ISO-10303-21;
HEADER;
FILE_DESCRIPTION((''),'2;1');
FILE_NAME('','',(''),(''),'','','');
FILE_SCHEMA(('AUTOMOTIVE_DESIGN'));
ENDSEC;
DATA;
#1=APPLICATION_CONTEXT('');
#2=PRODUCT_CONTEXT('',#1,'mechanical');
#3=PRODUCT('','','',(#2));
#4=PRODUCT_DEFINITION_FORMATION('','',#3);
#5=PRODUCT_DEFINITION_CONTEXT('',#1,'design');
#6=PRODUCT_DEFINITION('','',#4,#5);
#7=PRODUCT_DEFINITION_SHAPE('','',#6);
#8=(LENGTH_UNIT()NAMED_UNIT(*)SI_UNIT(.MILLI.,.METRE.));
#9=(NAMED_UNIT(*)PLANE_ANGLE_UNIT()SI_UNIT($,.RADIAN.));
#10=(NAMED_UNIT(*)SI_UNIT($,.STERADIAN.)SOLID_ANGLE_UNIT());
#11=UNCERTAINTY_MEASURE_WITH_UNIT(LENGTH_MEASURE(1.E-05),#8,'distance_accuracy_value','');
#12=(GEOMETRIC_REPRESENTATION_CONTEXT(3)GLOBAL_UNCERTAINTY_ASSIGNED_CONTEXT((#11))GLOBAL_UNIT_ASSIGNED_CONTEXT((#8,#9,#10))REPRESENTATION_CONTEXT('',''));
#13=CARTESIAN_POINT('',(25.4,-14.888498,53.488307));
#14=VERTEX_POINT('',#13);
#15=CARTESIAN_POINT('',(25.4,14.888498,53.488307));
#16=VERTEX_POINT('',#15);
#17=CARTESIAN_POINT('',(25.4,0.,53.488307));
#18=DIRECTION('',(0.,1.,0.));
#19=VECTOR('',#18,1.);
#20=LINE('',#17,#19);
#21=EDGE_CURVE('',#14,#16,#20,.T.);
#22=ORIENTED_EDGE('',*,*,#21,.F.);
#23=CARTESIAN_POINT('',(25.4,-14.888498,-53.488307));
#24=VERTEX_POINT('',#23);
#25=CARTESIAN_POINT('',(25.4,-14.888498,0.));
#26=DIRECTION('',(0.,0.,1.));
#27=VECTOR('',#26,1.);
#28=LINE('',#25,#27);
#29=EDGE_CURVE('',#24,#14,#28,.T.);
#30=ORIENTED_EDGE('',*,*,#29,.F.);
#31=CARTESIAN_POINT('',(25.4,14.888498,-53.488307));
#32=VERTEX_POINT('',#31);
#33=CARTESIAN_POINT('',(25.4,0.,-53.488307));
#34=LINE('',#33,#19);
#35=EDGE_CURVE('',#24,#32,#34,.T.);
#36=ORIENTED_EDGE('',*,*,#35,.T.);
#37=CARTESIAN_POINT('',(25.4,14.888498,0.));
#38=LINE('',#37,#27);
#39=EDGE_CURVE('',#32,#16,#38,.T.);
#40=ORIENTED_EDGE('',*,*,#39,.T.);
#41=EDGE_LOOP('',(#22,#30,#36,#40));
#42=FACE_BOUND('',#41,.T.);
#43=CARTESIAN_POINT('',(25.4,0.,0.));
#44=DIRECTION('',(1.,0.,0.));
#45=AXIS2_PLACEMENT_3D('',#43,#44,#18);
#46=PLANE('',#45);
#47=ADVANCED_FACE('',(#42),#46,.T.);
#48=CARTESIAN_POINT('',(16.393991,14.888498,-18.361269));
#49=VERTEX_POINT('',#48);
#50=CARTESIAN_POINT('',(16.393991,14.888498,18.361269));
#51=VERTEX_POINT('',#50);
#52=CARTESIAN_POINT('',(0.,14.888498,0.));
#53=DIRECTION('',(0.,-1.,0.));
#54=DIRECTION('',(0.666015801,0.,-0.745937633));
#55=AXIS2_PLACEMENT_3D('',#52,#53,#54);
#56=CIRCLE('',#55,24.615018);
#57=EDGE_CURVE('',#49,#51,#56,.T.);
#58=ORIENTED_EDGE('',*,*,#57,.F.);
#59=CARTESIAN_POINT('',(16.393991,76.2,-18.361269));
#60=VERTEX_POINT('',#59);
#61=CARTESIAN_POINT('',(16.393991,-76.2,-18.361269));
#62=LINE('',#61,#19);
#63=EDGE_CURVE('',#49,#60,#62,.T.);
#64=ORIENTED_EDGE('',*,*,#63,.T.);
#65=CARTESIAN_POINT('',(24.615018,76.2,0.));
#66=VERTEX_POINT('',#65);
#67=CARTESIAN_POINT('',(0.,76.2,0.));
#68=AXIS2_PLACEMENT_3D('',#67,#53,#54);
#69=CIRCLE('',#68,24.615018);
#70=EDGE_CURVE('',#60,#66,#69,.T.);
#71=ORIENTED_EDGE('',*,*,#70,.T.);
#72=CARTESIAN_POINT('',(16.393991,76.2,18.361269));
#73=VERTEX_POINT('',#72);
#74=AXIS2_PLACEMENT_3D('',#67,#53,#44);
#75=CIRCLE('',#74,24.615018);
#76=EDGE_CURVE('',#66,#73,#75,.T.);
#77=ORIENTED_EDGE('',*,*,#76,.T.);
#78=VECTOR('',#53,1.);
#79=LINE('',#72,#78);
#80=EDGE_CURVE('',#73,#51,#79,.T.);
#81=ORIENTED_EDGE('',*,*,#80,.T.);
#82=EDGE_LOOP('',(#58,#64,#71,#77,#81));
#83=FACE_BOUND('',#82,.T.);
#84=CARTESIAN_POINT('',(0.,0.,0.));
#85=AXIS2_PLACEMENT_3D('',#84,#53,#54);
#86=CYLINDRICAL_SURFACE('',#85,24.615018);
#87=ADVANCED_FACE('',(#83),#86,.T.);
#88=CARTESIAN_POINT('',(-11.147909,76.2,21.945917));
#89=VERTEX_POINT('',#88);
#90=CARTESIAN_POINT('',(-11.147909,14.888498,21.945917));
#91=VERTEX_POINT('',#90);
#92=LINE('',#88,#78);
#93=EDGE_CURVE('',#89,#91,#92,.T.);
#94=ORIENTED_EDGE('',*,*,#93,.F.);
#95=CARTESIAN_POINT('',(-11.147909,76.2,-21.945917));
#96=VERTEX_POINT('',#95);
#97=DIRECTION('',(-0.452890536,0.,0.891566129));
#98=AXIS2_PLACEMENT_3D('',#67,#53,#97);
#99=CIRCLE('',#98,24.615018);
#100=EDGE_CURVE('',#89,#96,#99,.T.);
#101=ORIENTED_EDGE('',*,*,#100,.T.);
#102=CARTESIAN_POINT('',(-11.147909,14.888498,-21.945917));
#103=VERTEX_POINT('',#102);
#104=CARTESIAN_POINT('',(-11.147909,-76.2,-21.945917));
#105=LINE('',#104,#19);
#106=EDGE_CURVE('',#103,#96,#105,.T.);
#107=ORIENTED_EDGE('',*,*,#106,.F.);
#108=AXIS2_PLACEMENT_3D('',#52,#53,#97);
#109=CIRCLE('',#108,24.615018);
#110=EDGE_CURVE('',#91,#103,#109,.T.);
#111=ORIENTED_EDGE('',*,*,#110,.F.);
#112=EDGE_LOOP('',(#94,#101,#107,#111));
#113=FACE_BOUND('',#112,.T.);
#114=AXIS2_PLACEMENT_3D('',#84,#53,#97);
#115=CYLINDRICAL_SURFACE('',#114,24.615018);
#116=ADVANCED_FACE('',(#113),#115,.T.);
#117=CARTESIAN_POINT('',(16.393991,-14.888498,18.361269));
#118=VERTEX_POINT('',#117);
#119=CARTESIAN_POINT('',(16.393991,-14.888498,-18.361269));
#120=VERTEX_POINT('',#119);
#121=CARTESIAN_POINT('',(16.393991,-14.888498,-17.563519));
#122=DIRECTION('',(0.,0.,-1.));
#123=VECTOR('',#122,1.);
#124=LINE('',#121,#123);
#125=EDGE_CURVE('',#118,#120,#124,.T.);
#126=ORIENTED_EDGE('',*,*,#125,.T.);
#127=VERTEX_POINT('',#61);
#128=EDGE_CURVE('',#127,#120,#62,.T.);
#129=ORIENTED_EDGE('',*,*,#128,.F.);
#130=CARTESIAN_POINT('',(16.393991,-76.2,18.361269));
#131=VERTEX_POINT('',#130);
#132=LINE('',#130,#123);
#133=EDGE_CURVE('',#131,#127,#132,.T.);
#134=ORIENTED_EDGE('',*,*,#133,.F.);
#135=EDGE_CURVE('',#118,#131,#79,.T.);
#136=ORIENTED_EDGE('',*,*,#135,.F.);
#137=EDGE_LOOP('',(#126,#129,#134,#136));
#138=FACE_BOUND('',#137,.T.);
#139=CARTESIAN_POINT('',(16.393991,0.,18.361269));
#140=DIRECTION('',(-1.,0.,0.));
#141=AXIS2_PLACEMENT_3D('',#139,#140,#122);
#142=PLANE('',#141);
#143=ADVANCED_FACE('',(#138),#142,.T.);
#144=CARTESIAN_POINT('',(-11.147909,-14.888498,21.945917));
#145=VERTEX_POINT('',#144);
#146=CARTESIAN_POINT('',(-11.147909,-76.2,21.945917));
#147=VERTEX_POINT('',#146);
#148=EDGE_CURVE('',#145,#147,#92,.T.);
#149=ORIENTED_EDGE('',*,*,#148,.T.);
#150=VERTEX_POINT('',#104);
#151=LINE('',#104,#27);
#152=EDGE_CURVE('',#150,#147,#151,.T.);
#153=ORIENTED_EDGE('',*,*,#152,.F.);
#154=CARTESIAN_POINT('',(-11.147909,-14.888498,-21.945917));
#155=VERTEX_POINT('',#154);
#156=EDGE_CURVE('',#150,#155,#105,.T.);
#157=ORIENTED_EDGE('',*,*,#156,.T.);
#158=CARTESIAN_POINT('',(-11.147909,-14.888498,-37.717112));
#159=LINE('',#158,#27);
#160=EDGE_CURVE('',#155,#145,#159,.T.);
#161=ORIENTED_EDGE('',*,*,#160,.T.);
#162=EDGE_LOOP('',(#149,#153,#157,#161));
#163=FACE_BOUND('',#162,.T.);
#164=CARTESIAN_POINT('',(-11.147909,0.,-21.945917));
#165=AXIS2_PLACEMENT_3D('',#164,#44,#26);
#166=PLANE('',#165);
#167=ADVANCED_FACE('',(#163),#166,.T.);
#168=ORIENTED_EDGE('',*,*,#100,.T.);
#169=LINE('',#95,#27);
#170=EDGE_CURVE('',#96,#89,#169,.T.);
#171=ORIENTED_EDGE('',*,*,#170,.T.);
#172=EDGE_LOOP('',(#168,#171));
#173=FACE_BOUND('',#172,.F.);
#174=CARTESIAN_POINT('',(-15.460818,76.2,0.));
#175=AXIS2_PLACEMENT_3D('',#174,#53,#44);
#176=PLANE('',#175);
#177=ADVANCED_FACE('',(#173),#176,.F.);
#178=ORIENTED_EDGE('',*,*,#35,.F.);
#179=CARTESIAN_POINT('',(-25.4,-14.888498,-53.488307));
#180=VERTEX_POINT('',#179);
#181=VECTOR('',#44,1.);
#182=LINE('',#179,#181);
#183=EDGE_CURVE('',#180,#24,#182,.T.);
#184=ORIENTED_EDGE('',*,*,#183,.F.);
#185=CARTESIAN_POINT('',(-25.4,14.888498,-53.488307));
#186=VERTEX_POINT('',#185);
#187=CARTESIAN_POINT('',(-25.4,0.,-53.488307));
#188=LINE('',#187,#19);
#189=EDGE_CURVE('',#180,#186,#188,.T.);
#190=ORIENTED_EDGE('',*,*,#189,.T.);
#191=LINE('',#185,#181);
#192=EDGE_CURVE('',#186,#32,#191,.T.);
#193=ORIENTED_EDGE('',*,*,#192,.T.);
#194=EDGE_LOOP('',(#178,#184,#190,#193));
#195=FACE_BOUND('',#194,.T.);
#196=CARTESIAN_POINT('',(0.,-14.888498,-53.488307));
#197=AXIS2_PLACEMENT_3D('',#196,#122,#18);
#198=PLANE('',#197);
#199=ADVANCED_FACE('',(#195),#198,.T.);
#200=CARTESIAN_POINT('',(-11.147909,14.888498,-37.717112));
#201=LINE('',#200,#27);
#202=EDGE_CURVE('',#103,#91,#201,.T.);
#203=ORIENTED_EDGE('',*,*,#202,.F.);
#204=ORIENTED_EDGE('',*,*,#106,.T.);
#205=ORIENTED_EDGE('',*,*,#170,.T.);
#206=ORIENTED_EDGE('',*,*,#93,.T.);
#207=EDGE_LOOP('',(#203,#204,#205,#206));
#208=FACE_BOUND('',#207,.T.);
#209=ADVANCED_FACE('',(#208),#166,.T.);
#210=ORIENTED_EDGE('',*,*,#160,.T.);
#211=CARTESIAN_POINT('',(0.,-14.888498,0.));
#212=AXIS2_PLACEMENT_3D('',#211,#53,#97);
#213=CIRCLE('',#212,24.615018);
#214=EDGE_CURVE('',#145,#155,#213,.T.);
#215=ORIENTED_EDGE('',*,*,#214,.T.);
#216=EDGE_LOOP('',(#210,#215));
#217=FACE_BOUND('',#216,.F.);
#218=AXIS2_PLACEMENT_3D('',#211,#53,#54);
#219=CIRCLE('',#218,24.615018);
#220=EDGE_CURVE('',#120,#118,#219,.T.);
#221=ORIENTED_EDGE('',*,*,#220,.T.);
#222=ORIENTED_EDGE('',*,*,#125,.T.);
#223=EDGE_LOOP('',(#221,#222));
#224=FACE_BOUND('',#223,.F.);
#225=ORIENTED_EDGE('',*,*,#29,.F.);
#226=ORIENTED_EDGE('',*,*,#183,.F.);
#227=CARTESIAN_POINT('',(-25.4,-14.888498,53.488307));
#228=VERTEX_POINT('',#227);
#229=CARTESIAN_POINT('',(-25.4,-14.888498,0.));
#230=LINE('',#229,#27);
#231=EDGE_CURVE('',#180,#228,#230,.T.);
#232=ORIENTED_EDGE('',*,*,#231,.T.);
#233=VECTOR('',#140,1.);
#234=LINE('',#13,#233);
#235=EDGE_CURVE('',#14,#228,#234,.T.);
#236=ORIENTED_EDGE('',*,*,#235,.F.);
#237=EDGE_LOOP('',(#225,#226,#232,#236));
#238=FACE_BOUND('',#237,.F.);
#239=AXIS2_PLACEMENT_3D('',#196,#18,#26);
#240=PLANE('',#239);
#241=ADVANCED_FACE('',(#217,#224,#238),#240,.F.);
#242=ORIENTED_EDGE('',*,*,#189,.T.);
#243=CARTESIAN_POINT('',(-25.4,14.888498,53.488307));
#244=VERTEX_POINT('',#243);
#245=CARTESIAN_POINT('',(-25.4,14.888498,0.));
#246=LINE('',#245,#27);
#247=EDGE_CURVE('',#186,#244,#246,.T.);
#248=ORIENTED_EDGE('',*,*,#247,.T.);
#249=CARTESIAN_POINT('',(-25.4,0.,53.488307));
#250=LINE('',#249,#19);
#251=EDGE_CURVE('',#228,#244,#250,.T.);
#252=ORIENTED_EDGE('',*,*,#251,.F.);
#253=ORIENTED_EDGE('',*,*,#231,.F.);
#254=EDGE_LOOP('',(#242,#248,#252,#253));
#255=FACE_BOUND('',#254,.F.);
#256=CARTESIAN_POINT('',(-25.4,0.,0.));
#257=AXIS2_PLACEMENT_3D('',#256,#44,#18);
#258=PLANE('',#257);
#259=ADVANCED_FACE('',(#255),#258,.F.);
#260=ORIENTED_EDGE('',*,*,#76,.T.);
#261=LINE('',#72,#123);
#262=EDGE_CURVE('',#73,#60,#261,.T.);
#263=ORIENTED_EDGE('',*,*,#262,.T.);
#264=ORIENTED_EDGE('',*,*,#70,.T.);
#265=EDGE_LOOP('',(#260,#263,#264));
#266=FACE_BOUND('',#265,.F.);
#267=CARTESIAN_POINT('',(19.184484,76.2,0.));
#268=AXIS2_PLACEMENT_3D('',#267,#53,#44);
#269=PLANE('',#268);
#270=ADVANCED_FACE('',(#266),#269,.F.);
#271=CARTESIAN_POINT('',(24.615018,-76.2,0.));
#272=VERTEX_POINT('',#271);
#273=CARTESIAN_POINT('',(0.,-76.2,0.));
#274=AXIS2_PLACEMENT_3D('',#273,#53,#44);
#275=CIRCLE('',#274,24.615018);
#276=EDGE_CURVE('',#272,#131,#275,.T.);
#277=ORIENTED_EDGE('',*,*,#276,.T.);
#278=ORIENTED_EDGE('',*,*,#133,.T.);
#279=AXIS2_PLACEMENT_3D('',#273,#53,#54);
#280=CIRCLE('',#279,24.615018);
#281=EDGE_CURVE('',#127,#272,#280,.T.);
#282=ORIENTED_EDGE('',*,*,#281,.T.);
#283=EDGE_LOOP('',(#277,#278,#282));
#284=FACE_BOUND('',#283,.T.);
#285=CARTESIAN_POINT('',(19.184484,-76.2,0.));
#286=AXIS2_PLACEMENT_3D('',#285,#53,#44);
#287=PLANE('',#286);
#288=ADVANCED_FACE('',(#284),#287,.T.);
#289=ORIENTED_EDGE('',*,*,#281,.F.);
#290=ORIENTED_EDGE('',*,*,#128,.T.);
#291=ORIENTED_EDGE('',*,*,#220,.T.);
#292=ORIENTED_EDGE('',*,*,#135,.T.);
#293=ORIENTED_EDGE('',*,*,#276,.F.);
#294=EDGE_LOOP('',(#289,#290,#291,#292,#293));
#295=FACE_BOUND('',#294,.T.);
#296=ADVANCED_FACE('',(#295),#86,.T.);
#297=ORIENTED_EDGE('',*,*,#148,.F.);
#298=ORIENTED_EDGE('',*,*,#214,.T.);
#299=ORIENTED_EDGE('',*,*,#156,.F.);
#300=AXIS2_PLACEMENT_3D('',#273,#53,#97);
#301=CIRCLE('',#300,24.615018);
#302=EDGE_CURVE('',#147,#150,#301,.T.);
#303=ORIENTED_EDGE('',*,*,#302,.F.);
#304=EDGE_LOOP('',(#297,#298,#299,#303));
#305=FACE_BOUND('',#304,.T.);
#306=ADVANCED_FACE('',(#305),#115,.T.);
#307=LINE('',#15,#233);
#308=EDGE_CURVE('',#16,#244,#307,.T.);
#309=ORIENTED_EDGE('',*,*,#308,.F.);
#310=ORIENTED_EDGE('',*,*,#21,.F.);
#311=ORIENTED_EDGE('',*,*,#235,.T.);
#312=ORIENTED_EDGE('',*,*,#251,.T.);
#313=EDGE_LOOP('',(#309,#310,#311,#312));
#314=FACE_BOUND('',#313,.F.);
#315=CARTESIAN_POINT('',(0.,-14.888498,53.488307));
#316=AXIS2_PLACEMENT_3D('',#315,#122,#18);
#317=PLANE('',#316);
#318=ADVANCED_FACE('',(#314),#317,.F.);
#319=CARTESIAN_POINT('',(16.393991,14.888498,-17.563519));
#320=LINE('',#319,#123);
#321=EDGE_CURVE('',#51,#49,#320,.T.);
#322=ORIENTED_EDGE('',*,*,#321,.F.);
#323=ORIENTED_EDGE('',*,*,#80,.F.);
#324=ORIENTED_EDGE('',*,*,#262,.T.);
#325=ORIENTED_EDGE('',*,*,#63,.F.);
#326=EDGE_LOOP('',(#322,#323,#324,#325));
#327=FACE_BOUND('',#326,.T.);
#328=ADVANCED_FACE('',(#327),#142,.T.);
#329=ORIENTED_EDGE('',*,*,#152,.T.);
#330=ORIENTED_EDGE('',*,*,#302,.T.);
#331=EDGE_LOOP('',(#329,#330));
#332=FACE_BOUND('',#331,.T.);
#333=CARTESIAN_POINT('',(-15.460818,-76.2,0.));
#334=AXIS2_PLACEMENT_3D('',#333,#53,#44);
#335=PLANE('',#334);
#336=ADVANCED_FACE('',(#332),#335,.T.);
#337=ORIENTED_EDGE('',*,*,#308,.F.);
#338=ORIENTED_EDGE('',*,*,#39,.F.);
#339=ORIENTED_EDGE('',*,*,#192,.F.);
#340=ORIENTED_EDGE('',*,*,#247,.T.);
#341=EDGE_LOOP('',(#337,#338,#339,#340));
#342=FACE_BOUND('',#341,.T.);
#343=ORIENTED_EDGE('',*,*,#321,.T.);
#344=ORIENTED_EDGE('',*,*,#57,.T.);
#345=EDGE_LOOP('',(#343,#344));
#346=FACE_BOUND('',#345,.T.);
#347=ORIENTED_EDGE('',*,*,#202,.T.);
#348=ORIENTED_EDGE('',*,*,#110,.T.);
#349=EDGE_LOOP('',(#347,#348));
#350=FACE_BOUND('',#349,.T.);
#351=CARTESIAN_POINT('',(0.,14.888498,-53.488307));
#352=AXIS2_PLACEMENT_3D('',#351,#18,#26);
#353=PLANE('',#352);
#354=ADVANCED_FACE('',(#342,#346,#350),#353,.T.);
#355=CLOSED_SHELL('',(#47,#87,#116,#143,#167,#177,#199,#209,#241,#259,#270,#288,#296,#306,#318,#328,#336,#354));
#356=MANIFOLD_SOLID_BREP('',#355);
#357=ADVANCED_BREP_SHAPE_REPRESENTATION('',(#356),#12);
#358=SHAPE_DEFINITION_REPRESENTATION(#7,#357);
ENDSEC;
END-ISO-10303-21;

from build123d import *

# Parameters (mm, degrees)
F1_DEPTH = 76.2
F2_W     = 29.7769960016
F2_H     = 106.9766134024
F3_DEPTH = 25.4


with BuildPart() as f1:
    # F0 (on Front) → F1 (new body, symmetric)
    with BuildSketch(Plane.XZ):
        with BuildLine():
            Line((-11.1479088664, -21.9459166651), (-11.1479088664, 21.9459166651))
            ThreePointArc((-11.1479088664, 21.9459166651), (-24.6150183905, 0), (-11.1479088664, -21.9459166651))
        make_face()
    extrude(amount=F1_DEPTH, both=True)



with BuildPart() as f1b:
    # F0 (on Front) → F1, piece 2 (new body, symmetric)
    with BuildSketch(Plane.XZ):
        with BuildLine():
            ThreePointArc((16.3939911872, -18.3612685651), (22.4659467298, -10.0588452567), (24.6150183905, 0))
            ThreePointArc((24.6150183905, 0), (22.4659467298, 10.0588452567), (16.3939911872, 18.3612685651))
            Line((16.3939911872, 18.3612685651), (16.3939911872, -18.3612685651))
        make_face()
    extrude(amount=F1_DEPTH, both=True)


with BuildPart() as f1_1:
    add(f1.part)

    add(f1b.part)  # F3 merges F1b
    # F2 (on Right) → F3 (join, symmetric)
    with BuildSketch(Plane.YZ):
        Rectangle(F2_W, F2_H)
    extrude(amount=F3_DEPTH, both=True)


solid = f1_1.part
